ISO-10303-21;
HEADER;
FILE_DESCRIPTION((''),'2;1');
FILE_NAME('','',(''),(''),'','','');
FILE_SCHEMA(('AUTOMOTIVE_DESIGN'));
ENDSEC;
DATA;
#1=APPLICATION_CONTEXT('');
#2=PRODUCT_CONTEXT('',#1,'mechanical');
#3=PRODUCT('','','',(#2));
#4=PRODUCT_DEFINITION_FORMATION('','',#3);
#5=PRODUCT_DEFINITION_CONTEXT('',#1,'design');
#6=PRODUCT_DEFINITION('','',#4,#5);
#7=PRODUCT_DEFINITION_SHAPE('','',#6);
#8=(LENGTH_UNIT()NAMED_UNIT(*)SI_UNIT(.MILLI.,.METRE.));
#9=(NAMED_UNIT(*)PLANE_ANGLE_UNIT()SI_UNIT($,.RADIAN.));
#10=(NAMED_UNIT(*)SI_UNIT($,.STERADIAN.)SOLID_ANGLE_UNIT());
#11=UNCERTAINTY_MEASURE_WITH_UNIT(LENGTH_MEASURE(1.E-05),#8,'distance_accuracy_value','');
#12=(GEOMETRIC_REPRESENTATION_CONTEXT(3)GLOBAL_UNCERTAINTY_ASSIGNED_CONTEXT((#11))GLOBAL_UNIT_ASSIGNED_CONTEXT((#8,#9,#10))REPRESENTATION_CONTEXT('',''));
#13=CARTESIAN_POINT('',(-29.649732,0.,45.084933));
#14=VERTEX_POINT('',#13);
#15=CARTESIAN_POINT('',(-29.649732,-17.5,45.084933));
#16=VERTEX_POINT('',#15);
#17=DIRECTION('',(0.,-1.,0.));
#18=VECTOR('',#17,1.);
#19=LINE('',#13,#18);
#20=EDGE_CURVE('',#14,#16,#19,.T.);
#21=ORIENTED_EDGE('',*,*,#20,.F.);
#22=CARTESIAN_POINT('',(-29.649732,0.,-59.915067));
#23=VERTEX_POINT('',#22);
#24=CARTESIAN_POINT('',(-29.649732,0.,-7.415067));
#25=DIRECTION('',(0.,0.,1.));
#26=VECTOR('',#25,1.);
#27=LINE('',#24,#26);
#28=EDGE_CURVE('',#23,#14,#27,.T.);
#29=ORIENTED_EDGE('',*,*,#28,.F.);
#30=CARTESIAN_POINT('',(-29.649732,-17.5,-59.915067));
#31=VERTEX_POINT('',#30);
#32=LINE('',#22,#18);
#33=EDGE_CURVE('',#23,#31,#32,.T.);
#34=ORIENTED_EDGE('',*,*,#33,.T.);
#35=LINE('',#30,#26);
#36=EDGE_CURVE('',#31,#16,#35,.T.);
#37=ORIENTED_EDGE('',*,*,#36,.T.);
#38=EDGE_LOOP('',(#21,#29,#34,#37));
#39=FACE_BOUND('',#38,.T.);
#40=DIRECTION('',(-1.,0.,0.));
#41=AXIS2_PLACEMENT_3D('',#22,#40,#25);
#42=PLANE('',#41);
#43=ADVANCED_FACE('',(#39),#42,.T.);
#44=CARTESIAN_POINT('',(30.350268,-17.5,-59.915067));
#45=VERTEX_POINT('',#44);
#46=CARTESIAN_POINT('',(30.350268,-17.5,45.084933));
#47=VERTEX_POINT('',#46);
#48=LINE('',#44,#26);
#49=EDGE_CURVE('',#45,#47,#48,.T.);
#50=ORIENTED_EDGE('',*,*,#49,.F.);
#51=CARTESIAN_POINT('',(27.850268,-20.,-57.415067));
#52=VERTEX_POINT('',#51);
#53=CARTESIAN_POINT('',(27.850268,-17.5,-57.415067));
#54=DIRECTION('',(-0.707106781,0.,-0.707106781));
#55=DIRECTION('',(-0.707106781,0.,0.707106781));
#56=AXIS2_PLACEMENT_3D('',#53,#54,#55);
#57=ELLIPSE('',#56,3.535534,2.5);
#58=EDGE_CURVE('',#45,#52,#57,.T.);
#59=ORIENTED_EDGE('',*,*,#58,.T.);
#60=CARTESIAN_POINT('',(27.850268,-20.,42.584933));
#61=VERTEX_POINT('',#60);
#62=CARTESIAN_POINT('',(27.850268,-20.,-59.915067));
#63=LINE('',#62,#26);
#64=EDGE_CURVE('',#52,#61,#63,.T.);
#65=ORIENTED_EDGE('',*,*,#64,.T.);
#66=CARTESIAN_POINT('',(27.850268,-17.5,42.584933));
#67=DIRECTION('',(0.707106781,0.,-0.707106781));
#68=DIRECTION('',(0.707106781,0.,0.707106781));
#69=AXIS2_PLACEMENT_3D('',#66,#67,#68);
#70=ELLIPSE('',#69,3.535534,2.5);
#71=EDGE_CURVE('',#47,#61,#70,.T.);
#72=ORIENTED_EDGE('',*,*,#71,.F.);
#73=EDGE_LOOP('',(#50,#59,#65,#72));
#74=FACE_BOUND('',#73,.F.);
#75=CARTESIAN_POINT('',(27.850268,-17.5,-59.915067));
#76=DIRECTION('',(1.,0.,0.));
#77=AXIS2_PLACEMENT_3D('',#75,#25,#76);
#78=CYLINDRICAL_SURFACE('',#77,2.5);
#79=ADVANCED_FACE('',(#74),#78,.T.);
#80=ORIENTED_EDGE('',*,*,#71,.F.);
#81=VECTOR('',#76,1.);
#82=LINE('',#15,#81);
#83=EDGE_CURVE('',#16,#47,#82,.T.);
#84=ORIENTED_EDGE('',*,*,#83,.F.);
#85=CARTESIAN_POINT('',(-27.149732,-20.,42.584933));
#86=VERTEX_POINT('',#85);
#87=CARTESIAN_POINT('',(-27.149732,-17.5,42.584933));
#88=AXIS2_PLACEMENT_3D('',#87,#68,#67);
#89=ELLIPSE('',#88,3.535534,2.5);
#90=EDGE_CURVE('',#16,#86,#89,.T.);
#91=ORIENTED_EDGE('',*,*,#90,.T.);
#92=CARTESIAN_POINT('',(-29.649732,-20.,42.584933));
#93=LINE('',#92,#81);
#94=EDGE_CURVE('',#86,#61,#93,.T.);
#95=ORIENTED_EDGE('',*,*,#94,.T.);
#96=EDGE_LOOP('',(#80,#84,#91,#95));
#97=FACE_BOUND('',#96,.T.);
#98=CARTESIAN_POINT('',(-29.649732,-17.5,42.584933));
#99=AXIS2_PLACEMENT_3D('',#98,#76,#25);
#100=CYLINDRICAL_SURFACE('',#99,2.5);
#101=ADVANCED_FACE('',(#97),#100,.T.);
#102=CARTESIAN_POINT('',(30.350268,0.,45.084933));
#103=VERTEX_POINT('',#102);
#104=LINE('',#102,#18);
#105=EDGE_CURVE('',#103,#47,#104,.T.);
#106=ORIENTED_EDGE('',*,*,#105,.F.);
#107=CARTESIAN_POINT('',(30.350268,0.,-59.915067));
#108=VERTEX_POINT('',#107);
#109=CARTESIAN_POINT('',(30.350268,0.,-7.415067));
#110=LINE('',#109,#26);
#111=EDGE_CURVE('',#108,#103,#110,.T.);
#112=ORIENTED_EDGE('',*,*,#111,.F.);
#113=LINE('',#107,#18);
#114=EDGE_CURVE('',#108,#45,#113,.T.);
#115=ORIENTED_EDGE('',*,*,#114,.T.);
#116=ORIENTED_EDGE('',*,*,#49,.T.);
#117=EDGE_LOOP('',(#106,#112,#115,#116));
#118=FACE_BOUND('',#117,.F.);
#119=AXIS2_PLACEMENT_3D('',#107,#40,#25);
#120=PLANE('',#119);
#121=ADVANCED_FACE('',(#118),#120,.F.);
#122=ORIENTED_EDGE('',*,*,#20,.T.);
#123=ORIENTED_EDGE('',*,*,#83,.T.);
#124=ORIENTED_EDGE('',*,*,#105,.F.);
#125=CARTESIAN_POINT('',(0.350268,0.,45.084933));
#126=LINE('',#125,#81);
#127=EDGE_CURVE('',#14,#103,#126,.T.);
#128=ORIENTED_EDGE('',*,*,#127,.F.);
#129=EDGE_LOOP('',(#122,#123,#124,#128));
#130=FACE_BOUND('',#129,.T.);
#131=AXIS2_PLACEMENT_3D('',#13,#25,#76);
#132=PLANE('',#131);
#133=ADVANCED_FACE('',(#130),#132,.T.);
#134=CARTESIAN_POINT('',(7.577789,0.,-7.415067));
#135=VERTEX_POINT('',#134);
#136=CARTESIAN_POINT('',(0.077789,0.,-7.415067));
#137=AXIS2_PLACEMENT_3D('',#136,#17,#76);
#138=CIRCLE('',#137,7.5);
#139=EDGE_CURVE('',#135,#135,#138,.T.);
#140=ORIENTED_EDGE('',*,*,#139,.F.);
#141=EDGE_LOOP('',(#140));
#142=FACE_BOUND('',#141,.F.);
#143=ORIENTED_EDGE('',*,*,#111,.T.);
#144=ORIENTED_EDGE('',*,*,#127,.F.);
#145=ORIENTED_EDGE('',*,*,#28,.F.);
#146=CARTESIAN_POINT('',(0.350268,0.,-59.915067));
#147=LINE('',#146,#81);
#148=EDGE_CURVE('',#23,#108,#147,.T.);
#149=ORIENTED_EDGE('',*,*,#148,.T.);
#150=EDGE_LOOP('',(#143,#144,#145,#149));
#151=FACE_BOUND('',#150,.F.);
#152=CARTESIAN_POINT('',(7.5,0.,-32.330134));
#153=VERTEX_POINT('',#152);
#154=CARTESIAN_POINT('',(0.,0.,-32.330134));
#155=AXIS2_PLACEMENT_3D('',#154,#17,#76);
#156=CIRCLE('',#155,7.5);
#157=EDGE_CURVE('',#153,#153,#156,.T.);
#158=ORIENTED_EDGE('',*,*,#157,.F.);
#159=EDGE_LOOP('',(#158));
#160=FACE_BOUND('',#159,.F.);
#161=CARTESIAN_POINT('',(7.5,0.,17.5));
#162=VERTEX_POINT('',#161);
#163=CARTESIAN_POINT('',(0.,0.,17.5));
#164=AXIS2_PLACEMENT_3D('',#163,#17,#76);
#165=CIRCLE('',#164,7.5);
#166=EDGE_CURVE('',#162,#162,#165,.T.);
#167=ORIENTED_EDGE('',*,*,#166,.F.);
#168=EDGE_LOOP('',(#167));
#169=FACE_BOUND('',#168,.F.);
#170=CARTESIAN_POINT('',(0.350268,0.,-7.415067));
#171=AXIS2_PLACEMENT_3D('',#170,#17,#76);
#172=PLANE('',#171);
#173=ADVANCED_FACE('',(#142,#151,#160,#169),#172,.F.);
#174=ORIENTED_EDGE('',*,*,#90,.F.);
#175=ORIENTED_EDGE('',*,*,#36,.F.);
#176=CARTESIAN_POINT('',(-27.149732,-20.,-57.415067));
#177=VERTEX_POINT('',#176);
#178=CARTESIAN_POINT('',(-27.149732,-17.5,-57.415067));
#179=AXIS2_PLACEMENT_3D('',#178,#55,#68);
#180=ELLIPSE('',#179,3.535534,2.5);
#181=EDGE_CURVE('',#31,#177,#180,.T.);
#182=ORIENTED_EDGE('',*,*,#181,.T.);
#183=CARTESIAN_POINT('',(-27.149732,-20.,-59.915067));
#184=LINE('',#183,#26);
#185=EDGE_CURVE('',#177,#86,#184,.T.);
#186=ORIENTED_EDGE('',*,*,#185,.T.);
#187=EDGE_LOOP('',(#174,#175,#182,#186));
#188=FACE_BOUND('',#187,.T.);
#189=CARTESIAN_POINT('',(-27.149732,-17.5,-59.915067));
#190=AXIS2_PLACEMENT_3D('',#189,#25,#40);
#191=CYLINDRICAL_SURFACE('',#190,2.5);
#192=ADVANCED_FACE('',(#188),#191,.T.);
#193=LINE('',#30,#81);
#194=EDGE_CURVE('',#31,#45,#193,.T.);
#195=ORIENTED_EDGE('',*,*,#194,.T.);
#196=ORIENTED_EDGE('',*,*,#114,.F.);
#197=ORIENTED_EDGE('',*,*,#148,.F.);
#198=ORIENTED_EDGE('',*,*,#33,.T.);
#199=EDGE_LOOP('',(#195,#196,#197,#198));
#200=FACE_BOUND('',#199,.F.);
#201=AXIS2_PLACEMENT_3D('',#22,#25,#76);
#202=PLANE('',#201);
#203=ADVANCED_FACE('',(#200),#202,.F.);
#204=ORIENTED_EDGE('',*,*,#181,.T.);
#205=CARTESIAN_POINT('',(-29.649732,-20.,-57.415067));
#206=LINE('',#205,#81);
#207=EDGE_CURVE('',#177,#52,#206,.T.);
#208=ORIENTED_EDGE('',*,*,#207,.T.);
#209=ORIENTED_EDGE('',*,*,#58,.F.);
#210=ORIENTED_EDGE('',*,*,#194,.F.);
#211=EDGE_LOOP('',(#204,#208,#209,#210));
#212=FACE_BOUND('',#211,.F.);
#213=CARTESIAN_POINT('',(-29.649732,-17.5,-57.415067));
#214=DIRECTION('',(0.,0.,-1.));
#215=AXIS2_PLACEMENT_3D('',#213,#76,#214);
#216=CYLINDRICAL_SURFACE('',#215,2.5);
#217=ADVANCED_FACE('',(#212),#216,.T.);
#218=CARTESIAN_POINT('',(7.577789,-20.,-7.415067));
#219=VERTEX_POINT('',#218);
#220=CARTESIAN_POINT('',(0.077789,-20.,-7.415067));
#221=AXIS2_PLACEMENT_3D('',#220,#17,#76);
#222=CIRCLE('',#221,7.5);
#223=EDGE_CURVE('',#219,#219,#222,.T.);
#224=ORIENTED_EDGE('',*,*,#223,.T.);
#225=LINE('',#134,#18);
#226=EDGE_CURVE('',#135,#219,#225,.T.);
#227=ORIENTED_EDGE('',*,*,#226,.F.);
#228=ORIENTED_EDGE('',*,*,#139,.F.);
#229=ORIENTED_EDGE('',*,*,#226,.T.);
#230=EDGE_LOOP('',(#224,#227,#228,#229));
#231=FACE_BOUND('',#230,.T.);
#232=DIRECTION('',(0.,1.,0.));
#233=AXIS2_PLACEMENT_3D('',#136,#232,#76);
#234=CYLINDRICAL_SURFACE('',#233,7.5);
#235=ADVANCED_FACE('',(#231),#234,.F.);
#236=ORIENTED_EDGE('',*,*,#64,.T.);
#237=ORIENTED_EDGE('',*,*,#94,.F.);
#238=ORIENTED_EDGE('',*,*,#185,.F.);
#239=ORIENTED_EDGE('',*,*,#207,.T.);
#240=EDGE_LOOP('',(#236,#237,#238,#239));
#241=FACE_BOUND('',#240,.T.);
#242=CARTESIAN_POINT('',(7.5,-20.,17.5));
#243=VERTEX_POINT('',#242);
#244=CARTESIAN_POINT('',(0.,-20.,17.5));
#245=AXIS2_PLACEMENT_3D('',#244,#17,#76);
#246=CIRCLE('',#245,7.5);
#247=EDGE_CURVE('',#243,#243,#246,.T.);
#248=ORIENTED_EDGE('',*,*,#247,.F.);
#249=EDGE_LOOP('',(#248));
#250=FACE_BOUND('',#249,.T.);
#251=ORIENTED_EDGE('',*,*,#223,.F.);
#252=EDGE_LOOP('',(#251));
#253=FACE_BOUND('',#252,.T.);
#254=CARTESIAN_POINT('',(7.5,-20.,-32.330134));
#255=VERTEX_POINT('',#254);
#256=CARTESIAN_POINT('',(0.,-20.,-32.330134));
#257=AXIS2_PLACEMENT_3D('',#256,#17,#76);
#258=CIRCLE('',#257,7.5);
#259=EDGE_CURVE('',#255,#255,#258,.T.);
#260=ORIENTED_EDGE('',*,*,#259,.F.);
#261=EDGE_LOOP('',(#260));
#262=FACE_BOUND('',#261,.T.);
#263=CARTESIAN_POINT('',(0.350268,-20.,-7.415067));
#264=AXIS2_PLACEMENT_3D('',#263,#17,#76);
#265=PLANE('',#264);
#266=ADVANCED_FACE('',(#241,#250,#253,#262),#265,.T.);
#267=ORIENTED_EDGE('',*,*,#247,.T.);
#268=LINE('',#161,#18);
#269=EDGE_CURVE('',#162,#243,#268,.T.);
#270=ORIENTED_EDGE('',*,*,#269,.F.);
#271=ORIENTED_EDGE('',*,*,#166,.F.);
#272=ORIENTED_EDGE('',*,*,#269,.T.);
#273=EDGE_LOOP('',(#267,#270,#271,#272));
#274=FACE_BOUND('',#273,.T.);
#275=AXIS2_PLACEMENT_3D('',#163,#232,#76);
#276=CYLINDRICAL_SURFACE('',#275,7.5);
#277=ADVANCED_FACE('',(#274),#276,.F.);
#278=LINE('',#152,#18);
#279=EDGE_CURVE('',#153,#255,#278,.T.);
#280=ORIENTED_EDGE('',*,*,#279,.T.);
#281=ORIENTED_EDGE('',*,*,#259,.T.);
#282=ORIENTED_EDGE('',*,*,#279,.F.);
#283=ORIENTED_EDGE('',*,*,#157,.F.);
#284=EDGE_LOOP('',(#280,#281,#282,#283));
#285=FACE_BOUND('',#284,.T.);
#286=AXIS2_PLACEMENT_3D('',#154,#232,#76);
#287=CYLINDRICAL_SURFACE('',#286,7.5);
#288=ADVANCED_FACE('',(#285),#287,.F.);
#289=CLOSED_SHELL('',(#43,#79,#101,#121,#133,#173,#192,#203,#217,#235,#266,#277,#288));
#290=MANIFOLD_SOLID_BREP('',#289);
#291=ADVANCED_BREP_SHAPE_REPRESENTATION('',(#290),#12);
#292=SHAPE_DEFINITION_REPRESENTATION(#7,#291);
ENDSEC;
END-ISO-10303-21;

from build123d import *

# Parameters (mm, degrees)
F0_W     = 60
F0_H     = 105
F0_R     = 7.5
F1_DEPTH = 20
F2_R     = 2.5


with BuildPart() as f1:
    # F0 (on Front) → F1 (new body)
    with BuildSketch(Plane.XZ):
        with Locations((0.350268, -7.415067)):
            Rectangle(F0_W, F0_H)
        with Locations((0, -32.330134)):
            Circle(F0_R, mode=Mode.SUBTRACT)
        with Locations((0.077789, -7.415067)):
            Circle(F0_R, mode=Mode.SUBTRACT)
        with Locations((0, 17.5)):
            Circle(F0_R, mode=Mode.SUBTRACT)
    extrude(amount=F1_DEPTH)

    # F2
    f2_edges = [f1.edges().sort_by_distance(p)[0] for p in [
        (30.350268, -20, -7.415067),
        (0.350268, -20, 45.084933),
        (-29.649732, -20, -7.415067),
        (0.350268, -20, -59.915067),
    ]]
    fillet(f2_edges, radius=F2_R)


solid = f1.part
